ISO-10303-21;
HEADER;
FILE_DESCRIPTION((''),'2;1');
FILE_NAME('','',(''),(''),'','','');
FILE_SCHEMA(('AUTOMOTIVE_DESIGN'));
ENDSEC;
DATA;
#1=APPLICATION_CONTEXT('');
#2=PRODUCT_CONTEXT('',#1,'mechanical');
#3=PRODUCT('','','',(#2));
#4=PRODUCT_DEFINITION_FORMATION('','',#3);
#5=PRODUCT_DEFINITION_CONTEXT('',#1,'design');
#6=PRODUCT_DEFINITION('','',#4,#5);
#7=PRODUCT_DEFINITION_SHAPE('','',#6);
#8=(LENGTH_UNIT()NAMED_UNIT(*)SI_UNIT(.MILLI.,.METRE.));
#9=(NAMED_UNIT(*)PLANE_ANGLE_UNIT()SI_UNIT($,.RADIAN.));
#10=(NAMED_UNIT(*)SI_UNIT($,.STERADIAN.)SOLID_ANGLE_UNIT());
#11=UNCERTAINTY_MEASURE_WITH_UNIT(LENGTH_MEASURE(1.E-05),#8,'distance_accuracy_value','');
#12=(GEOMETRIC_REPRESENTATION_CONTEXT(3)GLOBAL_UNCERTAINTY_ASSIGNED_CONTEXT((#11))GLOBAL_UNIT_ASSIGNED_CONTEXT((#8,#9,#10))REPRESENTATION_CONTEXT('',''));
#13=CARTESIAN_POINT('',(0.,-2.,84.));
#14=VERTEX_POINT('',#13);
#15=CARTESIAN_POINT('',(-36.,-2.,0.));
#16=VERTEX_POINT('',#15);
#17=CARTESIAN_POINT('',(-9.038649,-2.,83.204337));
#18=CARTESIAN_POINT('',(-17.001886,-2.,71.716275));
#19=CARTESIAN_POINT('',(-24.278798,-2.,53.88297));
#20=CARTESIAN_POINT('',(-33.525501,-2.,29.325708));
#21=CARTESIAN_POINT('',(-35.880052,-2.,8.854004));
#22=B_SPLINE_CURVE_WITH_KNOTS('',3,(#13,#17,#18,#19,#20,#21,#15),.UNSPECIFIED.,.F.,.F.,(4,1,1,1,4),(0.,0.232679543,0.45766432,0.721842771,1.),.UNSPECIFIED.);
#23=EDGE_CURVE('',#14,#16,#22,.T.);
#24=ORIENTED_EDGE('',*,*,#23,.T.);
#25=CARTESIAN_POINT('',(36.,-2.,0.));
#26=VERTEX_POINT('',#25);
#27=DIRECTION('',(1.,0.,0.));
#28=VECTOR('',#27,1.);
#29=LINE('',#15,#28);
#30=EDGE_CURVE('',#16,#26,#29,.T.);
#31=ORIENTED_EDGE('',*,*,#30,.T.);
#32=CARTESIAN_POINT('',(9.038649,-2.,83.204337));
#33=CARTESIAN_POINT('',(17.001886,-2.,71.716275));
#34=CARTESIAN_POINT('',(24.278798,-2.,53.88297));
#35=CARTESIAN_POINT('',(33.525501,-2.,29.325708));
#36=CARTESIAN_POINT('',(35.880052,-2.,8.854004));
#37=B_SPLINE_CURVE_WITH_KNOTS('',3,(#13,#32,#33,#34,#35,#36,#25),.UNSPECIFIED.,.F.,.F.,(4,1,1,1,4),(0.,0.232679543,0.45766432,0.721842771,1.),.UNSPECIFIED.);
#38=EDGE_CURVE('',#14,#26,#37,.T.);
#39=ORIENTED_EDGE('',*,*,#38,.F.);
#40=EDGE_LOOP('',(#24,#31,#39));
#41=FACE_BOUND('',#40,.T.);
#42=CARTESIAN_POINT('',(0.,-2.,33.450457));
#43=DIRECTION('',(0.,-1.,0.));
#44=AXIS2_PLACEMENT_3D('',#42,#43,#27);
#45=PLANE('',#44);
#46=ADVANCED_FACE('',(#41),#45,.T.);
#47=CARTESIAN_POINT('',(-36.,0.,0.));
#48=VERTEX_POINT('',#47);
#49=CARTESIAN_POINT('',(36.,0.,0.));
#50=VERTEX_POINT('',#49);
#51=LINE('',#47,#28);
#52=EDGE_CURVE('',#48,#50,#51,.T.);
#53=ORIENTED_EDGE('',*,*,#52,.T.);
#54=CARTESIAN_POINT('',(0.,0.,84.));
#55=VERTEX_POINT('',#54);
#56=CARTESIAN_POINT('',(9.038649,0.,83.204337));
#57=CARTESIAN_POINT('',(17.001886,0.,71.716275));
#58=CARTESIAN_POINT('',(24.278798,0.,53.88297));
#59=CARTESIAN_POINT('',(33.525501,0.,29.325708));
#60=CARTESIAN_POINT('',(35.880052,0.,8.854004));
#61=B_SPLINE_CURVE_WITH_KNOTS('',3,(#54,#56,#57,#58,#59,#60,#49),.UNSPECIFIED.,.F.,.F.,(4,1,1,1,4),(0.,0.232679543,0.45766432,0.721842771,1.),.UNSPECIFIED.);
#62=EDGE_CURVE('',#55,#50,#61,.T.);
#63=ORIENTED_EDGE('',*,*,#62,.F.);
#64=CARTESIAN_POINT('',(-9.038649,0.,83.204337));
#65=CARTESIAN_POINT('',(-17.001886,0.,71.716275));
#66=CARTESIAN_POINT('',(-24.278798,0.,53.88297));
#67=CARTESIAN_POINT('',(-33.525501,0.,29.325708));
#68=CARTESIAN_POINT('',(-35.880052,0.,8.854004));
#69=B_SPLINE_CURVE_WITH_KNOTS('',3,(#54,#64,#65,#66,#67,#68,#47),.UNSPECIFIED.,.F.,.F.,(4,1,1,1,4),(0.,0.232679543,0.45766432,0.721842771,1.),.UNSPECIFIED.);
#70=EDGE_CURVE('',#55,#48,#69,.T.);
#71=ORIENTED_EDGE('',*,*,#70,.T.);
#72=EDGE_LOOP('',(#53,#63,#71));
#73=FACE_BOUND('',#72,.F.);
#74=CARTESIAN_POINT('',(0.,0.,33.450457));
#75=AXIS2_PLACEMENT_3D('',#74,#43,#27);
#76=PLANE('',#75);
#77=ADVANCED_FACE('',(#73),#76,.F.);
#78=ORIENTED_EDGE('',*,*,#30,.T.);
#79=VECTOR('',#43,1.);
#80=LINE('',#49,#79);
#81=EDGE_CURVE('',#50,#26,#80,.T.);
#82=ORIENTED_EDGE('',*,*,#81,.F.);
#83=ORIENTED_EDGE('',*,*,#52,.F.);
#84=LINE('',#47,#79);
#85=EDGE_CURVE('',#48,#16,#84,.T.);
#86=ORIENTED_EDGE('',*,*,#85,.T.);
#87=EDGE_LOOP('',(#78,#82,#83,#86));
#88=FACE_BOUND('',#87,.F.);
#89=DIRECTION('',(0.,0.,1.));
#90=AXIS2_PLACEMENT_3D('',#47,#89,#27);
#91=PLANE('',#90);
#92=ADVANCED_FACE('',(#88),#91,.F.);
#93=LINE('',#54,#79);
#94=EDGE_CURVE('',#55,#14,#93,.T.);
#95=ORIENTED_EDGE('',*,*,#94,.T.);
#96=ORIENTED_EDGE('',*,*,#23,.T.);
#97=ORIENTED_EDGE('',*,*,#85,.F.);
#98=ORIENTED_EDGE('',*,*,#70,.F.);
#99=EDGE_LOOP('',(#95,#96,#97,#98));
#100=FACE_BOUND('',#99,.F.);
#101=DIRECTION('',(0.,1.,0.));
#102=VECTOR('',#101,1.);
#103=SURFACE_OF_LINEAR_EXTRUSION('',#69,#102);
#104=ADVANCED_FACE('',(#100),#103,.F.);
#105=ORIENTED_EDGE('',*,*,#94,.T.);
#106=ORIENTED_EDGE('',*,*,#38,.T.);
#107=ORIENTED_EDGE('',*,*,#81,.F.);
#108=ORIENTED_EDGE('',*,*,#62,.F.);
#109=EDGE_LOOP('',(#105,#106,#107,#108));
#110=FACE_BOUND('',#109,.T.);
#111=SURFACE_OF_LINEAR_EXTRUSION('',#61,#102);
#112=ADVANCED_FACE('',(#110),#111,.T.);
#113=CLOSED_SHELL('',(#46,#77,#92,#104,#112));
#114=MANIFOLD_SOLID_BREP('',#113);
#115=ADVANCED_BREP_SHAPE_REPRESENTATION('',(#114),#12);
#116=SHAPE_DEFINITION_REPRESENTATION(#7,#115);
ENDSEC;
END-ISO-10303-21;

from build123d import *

# Parameters (mm, degrees)
F1_DEPTH = 2


with BuildPart() as f1:
    # F0 (on Front) → F1 (new body)
    with BuildSketch(Plane.XZ):
        with BuildLine():
            Line((-36, 0), (0, 0))
            Line((0, 0), (36, 0))
            add(Edge.make_bspline(
                [(0, 84), (9.0386488057, 83.2043369031), (17.001886319, 71.7162749798), (24.2787977449, 53.8829701914), (33.5255007097, 29.3257080024), (35.8800520449, 8.8540044835), (36, 0)],
                knots=[0, 0, 0, 0, 0.2326795425, 0.4576643196, 0.7218427709, 1, 1, 1, 1], degree=3))
            add(Edge.make_bspline(
                [(0, 84), (-9.0386488057, 83.2043369031), (-17.001886319, 71.7162749798), (-24.2787977449, 53.8829701914), (-33.5255007097, 29.3257080024), (-35.8800520449, 8.8540044835), (-36, 0)],
                knots=[0, 0, 0, 0, 0.2326795425, 0.4576643196, 0.7218427709, 1, 1, 1, 1], degree=3))
        make_face()
    extrude(amount=F1_DEPTH)


solid = f1.part
